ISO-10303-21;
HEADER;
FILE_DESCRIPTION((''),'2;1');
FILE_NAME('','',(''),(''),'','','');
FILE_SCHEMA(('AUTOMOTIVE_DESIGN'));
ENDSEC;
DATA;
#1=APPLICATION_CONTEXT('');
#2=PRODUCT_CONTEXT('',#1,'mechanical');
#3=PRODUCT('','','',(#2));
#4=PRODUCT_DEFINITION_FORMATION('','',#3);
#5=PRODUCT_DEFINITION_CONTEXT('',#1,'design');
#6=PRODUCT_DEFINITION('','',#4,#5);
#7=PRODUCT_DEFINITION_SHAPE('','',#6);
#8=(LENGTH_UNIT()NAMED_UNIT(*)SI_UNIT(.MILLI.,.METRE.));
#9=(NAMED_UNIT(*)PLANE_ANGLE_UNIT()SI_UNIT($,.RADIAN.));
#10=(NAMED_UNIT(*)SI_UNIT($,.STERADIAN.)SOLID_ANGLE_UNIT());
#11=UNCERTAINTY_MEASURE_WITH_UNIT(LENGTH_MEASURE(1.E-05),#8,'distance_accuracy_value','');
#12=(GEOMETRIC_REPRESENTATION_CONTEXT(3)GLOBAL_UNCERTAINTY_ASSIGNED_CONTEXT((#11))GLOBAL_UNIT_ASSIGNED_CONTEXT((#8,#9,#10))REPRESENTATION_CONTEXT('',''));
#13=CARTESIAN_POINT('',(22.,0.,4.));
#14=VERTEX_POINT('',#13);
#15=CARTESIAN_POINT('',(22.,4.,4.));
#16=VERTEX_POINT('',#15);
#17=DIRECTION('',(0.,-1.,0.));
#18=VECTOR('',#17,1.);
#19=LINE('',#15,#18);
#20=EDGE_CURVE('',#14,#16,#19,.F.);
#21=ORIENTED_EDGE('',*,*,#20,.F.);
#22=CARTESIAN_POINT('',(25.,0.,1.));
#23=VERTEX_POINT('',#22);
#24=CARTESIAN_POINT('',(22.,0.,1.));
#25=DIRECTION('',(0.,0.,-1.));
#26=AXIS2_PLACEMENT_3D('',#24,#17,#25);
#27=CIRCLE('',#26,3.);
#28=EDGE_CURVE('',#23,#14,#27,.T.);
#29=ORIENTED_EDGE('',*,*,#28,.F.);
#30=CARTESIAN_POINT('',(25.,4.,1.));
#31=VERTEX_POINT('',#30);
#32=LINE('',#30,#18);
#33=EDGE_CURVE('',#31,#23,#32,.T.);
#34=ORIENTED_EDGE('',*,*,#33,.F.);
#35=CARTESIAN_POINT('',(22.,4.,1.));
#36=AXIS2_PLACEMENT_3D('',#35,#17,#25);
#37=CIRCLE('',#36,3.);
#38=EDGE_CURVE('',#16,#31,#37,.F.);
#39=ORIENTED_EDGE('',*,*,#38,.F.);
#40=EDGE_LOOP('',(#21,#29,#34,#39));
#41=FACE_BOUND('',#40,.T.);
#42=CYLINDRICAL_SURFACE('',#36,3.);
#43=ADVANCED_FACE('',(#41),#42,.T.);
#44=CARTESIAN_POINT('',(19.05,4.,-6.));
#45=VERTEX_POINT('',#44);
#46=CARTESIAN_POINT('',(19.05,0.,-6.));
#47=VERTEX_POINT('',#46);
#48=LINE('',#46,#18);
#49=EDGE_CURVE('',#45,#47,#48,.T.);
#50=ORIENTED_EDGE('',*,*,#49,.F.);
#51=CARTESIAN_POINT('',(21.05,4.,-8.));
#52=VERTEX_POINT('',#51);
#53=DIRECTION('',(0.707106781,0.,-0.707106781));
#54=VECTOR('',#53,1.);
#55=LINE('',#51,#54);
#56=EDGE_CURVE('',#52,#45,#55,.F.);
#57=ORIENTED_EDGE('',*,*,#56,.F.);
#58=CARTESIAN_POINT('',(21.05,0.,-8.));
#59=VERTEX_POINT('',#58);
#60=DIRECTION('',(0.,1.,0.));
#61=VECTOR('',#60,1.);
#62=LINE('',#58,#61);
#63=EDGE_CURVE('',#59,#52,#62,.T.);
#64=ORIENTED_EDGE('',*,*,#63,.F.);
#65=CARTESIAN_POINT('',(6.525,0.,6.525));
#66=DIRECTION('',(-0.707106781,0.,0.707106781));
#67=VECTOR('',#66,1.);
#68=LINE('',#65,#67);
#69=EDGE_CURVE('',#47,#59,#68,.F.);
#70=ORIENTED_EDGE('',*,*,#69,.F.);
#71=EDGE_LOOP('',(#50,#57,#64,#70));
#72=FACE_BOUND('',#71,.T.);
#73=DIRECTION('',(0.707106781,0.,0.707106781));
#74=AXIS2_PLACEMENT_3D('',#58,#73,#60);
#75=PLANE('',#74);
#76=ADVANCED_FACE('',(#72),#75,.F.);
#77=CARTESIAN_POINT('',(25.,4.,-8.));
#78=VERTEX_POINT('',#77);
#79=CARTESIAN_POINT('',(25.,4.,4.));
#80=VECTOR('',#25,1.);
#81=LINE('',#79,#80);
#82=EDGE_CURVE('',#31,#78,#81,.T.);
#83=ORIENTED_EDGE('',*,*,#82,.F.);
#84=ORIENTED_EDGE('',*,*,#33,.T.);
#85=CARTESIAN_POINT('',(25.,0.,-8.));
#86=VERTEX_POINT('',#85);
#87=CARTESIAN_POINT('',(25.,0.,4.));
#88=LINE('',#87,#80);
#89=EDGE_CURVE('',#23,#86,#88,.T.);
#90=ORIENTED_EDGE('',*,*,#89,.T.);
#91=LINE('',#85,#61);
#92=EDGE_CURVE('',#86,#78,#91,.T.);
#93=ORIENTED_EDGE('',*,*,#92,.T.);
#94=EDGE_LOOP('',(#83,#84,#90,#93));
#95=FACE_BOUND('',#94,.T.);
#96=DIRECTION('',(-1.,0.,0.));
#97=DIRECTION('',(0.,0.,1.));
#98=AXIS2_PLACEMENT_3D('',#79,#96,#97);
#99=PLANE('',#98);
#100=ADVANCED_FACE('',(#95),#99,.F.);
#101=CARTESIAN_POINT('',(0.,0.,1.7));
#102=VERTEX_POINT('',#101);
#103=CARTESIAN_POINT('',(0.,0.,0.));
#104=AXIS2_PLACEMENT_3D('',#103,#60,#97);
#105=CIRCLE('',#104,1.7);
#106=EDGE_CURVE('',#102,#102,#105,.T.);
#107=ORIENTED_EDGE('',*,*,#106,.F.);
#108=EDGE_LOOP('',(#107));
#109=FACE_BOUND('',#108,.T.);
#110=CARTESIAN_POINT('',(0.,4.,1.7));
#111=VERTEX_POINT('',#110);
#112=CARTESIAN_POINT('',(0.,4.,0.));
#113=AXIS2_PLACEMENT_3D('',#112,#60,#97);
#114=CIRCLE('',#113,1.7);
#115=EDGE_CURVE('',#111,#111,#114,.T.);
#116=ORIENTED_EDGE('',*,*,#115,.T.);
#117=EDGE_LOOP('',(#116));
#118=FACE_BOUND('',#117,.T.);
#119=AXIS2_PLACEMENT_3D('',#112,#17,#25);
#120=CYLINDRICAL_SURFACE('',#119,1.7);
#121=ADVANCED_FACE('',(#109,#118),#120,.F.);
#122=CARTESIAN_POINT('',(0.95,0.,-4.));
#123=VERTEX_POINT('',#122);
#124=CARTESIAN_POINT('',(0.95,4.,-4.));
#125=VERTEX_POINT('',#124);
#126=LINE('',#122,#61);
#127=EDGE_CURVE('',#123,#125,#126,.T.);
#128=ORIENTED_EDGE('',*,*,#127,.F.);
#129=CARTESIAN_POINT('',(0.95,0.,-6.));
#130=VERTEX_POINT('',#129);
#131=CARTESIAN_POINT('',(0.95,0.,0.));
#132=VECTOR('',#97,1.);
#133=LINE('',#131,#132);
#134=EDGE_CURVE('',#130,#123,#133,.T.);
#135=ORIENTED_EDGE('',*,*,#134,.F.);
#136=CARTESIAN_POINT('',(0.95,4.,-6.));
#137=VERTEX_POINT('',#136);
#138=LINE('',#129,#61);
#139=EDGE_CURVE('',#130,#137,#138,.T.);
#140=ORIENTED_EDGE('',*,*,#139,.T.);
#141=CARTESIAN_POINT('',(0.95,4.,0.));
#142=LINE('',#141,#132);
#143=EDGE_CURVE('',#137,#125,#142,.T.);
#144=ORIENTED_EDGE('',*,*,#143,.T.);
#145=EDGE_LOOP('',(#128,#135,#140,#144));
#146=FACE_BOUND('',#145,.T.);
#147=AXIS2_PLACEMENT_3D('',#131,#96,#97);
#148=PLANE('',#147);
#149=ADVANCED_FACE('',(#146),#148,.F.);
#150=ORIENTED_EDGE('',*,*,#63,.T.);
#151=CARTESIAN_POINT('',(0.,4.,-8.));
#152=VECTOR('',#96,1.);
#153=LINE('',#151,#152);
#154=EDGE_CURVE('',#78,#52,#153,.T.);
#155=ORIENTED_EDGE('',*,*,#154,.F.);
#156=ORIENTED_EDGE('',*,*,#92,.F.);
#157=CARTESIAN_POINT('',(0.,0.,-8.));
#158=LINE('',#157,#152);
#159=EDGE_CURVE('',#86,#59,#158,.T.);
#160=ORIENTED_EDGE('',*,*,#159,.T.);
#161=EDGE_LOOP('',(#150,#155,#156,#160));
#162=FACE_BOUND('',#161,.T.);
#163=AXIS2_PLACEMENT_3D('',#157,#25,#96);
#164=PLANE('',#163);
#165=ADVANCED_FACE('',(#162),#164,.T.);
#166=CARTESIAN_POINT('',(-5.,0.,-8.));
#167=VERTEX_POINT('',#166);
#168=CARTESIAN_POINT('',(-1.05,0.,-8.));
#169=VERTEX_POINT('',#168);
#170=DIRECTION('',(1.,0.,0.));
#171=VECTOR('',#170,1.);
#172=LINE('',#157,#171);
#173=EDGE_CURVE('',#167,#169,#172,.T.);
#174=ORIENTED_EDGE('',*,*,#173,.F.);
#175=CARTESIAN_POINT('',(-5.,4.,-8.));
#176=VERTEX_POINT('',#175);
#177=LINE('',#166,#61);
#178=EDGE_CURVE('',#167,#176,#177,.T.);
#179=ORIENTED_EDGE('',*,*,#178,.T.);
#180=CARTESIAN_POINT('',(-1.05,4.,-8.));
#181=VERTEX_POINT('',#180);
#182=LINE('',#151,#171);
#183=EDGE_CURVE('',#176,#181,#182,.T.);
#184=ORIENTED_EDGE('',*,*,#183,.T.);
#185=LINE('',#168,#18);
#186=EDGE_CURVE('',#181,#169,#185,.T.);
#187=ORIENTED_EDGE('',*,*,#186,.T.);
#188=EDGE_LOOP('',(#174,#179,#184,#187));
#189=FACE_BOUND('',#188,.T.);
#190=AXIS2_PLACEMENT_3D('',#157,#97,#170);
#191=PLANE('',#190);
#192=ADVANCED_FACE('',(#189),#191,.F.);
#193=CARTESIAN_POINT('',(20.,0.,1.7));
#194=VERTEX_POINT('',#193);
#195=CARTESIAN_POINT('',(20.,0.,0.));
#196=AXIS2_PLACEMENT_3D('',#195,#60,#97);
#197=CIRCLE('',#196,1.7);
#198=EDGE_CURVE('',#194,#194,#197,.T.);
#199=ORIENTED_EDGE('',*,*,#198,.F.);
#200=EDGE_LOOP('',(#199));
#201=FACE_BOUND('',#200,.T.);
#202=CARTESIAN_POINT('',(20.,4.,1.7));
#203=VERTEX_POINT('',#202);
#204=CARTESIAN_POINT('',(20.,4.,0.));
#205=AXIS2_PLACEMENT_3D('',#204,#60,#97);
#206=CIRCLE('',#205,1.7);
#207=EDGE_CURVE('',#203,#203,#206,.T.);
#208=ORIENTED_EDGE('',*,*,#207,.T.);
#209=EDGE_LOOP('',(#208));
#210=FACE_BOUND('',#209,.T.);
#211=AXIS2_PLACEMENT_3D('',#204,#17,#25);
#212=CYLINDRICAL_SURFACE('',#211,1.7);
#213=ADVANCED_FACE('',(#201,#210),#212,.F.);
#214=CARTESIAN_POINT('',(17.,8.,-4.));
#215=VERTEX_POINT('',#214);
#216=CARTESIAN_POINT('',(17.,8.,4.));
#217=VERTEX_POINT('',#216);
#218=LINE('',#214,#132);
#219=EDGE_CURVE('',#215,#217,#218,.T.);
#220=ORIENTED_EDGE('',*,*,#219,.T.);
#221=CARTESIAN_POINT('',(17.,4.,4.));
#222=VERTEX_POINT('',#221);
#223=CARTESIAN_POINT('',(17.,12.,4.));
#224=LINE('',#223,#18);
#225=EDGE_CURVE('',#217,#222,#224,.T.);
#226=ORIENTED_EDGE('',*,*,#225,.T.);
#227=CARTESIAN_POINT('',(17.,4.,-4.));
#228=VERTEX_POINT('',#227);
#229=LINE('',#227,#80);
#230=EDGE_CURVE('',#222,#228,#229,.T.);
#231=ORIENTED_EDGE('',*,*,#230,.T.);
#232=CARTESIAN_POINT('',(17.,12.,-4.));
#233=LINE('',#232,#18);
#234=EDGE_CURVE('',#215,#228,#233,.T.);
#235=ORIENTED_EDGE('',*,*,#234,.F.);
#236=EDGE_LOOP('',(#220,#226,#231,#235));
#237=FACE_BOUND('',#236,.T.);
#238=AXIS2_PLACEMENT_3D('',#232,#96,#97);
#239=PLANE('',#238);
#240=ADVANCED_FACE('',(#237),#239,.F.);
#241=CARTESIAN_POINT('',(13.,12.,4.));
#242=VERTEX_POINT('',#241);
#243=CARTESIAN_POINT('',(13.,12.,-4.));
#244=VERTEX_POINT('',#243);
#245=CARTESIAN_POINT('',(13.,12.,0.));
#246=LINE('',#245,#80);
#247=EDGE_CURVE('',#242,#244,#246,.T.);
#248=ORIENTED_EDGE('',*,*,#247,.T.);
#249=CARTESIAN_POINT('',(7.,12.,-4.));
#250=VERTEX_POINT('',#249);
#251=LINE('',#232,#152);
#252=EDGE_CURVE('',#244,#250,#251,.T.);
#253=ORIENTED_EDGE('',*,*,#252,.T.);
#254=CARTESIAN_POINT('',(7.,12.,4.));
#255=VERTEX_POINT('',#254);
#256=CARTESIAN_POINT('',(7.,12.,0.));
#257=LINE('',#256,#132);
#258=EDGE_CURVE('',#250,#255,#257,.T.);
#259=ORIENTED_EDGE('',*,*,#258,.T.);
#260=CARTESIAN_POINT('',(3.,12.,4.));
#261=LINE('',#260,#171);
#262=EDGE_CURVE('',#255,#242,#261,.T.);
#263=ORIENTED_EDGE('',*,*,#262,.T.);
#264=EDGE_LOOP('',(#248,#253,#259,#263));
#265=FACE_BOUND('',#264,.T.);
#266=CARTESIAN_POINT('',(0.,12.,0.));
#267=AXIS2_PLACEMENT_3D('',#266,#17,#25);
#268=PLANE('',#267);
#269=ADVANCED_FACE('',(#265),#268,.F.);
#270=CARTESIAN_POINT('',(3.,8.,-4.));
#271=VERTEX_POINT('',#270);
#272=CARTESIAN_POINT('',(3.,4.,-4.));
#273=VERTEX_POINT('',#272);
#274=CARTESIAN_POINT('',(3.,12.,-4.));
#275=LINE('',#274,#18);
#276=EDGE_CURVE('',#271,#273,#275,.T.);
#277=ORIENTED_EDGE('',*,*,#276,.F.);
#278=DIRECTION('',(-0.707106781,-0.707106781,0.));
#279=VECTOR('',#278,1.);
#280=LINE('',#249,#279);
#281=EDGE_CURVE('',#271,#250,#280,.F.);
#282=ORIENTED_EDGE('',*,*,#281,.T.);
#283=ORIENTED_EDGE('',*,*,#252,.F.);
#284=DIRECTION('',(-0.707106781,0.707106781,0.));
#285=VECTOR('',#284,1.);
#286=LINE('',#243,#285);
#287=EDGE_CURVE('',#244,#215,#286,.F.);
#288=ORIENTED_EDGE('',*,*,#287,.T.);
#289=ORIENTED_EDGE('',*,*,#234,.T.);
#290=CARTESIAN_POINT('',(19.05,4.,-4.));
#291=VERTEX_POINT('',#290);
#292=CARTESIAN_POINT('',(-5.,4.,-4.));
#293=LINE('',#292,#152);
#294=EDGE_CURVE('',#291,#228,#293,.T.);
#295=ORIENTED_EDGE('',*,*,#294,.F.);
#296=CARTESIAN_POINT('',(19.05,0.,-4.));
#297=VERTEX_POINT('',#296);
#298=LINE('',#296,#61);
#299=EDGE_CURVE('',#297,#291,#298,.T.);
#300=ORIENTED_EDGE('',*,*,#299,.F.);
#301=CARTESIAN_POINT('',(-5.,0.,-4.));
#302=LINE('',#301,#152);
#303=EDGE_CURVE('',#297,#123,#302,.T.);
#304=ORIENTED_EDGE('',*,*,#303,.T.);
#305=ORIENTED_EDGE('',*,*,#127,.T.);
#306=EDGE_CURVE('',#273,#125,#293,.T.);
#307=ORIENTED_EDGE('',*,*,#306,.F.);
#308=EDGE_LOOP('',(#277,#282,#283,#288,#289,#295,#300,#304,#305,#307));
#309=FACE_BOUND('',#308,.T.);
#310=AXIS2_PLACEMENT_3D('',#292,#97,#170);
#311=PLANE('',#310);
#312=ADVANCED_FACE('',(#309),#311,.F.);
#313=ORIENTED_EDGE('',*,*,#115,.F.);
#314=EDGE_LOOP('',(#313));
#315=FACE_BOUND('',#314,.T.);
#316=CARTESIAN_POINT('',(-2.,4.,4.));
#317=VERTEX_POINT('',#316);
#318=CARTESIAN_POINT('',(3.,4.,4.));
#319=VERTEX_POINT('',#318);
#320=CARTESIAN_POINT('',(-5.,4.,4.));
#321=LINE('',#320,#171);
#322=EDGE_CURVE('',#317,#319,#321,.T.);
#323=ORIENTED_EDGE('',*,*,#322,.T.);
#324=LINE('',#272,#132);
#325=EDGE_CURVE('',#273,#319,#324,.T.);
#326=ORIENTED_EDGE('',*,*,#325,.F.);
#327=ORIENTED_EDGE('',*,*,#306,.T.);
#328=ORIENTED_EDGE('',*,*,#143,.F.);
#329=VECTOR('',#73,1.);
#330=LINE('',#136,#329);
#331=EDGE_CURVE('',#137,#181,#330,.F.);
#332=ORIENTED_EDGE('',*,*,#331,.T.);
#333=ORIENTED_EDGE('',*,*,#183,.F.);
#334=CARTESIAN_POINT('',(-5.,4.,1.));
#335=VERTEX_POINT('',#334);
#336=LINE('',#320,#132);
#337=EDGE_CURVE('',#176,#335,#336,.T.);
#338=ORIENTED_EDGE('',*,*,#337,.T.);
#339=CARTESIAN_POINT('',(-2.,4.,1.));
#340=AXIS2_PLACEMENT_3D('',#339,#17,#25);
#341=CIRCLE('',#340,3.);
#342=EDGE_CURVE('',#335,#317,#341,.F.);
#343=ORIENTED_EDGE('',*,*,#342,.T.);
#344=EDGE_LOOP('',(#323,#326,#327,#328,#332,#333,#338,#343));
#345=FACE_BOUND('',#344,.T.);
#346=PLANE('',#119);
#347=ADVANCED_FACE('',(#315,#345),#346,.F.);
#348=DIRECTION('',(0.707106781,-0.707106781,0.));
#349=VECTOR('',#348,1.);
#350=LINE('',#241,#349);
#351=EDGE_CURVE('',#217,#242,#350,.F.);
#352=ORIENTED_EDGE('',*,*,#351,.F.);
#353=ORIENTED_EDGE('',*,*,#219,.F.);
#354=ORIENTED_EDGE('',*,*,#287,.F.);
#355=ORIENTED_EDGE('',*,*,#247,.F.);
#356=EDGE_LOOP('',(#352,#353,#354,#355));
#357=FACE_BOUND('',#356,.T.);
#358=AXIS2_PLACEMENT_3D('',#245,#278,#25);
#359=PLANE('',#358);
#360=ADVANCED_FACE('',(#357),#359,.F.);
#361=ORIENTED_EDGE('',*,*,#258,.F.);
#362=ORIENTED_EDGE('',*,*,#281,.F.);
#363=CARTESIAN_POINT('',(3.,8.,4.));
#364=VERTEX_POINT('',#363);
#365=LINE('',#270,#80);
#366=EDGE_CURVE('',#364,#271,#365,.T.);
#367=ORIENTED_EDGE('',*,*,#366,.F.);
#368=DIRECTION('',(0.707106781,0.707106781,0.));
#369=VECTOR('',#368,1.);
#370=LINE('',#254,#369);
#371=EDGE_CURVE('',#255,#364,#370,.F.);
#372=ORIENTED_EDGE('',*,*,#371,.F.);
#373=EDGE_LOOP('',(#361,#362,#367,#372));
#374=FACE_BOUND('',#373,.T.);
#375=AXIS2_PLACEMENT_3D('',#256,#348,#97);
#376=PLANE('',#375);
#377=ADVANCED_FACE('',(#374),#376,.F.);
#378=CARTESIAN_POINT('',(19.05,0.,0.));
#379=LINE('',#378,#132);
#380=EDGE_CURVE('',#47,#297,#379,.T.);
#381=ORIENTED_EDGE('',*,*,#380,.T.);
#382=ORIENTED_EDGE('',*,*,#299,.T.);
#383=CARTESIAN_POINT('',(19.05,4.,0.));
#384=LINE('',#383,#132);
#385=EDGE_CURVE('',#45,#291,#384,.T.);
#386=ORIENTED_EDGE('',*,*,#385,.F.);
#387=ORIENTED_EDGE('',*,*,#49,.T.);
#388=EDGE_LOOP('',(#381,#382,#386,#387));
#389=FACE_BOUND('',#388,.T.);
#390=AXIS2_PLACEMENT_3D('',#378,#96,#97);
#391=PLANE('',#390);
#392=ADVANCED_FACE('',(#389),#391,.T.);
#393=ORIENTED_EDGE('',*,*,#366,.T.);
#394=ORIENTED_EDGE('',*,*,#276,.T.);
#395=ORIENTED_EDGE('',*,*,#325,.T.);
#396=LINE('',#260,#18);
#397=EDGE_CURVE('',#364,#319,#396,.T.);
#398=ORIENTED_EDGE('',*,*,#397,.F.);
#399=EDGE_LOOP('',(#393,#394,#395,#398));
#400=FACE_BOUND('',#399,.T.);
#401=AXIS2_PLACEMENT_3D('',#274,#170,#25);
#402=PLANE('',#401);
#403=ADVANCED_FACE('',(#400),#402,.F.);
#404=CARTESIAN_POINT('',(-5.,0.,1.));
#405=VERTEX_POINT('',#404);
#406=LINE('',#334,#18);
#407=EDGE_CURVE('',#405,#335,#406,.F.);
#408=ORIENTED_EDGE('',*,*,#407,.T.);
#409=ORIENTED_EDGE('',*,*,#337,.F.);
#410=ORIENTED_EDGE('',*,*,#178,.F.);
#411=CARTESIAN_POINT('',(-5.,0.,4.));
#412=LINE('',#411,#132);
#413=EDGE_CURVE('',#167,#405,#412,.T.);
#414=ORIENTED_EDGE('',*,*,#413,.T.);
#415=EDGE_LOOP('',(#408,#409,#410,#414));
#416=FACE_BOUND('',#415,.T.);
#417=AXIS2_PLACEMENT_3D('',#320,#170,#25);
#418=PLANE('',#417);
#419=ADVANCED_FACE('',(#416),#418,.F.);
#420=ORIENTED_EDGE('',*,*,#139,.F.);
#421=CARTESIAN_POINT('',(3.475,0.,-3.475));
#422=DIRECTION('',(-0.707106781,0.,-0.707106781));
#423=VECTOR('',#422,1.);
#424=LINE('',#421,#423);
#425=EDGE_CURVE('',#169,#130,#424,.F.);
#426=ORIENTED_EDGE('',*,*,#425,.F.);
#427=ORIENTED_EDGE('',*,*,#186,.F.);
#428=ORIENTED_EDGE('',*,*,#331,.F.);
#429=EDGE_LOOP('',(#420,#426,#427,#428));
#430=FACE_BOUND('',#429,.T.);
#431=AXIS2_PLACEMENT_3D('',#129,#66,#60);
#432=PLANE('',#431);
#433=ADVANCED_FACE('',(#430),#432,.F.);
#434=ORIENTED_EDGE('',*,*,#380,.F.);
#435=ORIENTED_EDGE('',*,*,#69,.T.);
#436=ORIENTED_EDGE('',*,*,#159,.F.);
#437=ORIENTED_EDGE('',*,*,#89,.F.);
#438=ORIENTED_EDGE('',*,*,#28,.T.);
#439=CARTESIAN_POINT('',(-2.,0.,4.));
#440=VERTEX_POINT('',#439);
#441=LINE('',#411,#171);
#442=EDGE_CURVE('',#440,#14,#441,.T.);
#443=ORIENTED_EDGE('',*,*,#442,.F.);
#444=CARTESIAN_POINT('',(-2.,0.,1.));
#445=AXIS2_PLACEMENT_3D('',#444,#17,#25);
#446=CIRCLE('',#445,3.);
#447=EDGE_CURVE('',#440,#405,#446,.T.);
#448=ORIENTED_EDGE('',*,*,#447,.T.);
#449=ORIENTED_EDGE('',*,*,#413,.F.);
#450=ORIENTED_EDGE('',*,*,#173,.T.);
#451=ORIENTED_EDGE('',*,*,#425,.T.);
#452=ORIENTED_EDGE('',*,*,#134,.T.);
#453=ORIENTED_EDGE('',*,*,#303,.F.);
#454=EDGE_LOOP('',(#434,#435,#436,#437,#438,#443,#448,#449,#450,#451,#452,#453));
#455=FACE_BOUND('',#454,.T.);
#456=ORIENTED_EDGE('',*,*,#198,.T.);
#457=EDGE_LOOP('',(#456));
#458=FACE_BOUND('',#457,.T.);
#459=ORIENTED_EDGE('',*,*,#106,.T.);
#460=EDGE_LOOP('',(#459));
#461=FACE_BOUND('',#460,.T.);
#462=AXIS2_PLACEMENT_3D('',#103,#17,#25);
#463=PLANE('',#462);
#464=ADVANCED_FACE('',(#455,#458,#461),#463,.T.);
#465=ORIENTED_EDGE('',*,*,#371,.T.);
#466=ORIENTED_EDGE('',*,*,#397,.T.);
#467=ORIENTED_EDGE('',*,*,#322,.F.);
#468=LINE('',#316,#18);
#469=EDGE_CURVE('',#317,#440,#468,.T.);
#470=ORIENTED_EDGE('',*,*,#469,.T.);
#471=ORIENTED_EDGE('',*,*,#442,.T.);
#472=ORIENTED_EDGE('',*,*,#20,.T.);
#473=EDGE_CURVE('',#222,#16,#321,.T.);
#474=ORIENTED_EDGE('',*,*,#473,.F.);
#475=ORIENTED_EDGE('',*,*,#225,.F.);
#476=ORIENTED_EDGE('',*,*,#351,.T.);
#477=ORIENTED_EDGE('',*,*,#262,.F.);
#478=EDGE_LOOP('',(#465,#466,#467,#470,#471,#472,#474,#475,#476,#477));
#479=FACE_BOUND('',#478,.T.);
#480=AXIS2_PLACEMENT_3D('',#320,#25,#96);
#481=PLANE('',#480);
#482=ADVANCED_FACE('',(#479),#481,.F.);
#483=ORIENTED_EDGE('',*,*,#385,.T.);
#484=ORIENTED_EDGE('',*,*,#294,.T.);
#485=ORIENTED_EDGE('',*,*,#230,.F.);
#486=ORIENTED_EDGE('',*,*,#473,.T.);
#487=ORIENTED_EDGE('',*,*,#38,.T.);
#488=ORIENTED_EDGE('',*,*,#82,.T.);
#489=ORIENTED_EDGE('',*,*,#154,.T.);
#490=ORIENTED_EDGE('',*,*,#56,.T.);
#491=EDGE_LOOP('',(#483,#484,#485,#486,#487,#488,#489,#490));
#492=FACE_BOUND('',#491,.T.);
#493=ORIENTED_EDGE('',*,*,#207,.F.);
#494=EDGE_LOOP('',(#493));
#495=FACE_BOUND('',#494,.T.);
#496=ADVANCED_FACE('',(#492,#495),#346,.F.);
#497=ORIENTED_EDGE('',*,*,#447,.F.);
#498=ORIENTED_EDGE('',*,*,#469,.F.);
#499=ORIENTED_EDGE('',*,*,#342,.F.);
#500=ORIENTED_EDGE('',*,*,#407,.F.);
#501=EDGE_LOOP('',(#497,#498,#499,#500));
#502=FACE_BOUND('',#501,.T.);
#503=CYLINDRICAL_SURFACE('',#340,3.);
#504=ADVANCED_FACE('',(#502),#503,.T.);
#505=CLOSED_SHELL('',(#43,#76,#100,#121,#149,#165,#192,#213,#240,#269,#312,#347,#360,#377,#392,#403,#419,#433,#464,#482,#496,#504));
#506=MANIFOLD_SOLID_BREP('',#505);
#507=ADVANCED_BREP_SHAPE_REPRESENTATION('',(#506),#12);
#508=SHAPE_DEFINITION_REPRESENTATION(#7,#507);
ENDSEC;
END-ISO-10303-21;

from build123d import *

# Parameters (mm, degrees)
SKETCH1_W           = 30
SKETCH1_H           = 8
SKETCH1_R           = 1.7
BOSS_EXTRUDE1_DEPTH = 4
FILLET1_R           = 3
SKETCH2_W           = 5.95
SKETCH2_H           = 4
BOSS_EXTRUDE2_DEPTH = 4
SKETCH3_W           = 14
SKETCH3_H           = 8
BOSS_EXTRUDE3_DEPTH = 8
CHAMFER1_SIZE       = 4
CHAMFER2_SIZE       = 2


with BuildPart() as part:
    # Sketch1 → Boss-Extrude1 (new body)
    with BuildSketch(Plane(origin=(0, 0, 0), x_dir=(1, 0, 0), z_dir=(0, 1, 0))):
        with Locations((10, 0)):
            Rectangle(SKETCH1_W, SKETCH1_H)
        with Locations(Location((0, 0, 0), (0, 0, 270))):
            Circle(SKETCH1_R, mode=Mode.SUBTRACT)
        with Locations(Location((20, 0, 0), (0, 0, 270))):
            Circle(SKETCH1_R, mode=Mode.SUBTRACT)
    extrude(amount=BOSS_EXTRUDE1_DEPTH)

    # Fillet1
    fillet1_edges = [part.edges().sort_by_distance(p)[0] for p in [
        (25, 2, 4),
        (-5, 2, 4),
    ]]
    fillet(fillet1_edges, radius=FILLET1_R)

    # Sketch2 → Boss-Extrude2 (add)
    with BuildSketch(Plane(origin=(0, 4, 0), x_dir=(1, 0, 0), z_dir=(0, 1, 0))):
        with Locations((-2.025, 6)):
            Rectangle(SKETCH2_W, SKETCH2_H)
        with Locations((22.025, 6)):
            Rectangle(SKETCH2_W, SKETCH2_H)
    extrude(amount=-BOSS_EXTRUDE2_DEPTH)

    # Sketch3 → Boss-Extrude3 (add)
    with BuildSketch(Plane(origin=(0, 4, 0), x_dir=(1, 0, 0), z_dir=(0, 1, 0))):
        with Locations((10, 0)):
            Rectangle(SKETCH3_W, SKETCH3_H)
    extrude(amount=BOSS_EXTRUDE3_DEPTH)

    # Chamfer1
    chamfer1_edges = [part.edges().sort_by_distance(p)[0] for p in [
        (17, 12, 0),
        (3, 12, 0),
    ]]
    chamfer(chamfer1_edges, length=CHAMFER1_SIZE)

    # Chamfer2
    chamfer2_edges = [part.edges().sort_by_distance(p)[0] for p in [
        (0.95, 2, -8),
        (19.05, 2, -8),
    ]]
    chamfer(chamfer2_edges, length=CHAMFER2_SIZE)


solid = part.part
